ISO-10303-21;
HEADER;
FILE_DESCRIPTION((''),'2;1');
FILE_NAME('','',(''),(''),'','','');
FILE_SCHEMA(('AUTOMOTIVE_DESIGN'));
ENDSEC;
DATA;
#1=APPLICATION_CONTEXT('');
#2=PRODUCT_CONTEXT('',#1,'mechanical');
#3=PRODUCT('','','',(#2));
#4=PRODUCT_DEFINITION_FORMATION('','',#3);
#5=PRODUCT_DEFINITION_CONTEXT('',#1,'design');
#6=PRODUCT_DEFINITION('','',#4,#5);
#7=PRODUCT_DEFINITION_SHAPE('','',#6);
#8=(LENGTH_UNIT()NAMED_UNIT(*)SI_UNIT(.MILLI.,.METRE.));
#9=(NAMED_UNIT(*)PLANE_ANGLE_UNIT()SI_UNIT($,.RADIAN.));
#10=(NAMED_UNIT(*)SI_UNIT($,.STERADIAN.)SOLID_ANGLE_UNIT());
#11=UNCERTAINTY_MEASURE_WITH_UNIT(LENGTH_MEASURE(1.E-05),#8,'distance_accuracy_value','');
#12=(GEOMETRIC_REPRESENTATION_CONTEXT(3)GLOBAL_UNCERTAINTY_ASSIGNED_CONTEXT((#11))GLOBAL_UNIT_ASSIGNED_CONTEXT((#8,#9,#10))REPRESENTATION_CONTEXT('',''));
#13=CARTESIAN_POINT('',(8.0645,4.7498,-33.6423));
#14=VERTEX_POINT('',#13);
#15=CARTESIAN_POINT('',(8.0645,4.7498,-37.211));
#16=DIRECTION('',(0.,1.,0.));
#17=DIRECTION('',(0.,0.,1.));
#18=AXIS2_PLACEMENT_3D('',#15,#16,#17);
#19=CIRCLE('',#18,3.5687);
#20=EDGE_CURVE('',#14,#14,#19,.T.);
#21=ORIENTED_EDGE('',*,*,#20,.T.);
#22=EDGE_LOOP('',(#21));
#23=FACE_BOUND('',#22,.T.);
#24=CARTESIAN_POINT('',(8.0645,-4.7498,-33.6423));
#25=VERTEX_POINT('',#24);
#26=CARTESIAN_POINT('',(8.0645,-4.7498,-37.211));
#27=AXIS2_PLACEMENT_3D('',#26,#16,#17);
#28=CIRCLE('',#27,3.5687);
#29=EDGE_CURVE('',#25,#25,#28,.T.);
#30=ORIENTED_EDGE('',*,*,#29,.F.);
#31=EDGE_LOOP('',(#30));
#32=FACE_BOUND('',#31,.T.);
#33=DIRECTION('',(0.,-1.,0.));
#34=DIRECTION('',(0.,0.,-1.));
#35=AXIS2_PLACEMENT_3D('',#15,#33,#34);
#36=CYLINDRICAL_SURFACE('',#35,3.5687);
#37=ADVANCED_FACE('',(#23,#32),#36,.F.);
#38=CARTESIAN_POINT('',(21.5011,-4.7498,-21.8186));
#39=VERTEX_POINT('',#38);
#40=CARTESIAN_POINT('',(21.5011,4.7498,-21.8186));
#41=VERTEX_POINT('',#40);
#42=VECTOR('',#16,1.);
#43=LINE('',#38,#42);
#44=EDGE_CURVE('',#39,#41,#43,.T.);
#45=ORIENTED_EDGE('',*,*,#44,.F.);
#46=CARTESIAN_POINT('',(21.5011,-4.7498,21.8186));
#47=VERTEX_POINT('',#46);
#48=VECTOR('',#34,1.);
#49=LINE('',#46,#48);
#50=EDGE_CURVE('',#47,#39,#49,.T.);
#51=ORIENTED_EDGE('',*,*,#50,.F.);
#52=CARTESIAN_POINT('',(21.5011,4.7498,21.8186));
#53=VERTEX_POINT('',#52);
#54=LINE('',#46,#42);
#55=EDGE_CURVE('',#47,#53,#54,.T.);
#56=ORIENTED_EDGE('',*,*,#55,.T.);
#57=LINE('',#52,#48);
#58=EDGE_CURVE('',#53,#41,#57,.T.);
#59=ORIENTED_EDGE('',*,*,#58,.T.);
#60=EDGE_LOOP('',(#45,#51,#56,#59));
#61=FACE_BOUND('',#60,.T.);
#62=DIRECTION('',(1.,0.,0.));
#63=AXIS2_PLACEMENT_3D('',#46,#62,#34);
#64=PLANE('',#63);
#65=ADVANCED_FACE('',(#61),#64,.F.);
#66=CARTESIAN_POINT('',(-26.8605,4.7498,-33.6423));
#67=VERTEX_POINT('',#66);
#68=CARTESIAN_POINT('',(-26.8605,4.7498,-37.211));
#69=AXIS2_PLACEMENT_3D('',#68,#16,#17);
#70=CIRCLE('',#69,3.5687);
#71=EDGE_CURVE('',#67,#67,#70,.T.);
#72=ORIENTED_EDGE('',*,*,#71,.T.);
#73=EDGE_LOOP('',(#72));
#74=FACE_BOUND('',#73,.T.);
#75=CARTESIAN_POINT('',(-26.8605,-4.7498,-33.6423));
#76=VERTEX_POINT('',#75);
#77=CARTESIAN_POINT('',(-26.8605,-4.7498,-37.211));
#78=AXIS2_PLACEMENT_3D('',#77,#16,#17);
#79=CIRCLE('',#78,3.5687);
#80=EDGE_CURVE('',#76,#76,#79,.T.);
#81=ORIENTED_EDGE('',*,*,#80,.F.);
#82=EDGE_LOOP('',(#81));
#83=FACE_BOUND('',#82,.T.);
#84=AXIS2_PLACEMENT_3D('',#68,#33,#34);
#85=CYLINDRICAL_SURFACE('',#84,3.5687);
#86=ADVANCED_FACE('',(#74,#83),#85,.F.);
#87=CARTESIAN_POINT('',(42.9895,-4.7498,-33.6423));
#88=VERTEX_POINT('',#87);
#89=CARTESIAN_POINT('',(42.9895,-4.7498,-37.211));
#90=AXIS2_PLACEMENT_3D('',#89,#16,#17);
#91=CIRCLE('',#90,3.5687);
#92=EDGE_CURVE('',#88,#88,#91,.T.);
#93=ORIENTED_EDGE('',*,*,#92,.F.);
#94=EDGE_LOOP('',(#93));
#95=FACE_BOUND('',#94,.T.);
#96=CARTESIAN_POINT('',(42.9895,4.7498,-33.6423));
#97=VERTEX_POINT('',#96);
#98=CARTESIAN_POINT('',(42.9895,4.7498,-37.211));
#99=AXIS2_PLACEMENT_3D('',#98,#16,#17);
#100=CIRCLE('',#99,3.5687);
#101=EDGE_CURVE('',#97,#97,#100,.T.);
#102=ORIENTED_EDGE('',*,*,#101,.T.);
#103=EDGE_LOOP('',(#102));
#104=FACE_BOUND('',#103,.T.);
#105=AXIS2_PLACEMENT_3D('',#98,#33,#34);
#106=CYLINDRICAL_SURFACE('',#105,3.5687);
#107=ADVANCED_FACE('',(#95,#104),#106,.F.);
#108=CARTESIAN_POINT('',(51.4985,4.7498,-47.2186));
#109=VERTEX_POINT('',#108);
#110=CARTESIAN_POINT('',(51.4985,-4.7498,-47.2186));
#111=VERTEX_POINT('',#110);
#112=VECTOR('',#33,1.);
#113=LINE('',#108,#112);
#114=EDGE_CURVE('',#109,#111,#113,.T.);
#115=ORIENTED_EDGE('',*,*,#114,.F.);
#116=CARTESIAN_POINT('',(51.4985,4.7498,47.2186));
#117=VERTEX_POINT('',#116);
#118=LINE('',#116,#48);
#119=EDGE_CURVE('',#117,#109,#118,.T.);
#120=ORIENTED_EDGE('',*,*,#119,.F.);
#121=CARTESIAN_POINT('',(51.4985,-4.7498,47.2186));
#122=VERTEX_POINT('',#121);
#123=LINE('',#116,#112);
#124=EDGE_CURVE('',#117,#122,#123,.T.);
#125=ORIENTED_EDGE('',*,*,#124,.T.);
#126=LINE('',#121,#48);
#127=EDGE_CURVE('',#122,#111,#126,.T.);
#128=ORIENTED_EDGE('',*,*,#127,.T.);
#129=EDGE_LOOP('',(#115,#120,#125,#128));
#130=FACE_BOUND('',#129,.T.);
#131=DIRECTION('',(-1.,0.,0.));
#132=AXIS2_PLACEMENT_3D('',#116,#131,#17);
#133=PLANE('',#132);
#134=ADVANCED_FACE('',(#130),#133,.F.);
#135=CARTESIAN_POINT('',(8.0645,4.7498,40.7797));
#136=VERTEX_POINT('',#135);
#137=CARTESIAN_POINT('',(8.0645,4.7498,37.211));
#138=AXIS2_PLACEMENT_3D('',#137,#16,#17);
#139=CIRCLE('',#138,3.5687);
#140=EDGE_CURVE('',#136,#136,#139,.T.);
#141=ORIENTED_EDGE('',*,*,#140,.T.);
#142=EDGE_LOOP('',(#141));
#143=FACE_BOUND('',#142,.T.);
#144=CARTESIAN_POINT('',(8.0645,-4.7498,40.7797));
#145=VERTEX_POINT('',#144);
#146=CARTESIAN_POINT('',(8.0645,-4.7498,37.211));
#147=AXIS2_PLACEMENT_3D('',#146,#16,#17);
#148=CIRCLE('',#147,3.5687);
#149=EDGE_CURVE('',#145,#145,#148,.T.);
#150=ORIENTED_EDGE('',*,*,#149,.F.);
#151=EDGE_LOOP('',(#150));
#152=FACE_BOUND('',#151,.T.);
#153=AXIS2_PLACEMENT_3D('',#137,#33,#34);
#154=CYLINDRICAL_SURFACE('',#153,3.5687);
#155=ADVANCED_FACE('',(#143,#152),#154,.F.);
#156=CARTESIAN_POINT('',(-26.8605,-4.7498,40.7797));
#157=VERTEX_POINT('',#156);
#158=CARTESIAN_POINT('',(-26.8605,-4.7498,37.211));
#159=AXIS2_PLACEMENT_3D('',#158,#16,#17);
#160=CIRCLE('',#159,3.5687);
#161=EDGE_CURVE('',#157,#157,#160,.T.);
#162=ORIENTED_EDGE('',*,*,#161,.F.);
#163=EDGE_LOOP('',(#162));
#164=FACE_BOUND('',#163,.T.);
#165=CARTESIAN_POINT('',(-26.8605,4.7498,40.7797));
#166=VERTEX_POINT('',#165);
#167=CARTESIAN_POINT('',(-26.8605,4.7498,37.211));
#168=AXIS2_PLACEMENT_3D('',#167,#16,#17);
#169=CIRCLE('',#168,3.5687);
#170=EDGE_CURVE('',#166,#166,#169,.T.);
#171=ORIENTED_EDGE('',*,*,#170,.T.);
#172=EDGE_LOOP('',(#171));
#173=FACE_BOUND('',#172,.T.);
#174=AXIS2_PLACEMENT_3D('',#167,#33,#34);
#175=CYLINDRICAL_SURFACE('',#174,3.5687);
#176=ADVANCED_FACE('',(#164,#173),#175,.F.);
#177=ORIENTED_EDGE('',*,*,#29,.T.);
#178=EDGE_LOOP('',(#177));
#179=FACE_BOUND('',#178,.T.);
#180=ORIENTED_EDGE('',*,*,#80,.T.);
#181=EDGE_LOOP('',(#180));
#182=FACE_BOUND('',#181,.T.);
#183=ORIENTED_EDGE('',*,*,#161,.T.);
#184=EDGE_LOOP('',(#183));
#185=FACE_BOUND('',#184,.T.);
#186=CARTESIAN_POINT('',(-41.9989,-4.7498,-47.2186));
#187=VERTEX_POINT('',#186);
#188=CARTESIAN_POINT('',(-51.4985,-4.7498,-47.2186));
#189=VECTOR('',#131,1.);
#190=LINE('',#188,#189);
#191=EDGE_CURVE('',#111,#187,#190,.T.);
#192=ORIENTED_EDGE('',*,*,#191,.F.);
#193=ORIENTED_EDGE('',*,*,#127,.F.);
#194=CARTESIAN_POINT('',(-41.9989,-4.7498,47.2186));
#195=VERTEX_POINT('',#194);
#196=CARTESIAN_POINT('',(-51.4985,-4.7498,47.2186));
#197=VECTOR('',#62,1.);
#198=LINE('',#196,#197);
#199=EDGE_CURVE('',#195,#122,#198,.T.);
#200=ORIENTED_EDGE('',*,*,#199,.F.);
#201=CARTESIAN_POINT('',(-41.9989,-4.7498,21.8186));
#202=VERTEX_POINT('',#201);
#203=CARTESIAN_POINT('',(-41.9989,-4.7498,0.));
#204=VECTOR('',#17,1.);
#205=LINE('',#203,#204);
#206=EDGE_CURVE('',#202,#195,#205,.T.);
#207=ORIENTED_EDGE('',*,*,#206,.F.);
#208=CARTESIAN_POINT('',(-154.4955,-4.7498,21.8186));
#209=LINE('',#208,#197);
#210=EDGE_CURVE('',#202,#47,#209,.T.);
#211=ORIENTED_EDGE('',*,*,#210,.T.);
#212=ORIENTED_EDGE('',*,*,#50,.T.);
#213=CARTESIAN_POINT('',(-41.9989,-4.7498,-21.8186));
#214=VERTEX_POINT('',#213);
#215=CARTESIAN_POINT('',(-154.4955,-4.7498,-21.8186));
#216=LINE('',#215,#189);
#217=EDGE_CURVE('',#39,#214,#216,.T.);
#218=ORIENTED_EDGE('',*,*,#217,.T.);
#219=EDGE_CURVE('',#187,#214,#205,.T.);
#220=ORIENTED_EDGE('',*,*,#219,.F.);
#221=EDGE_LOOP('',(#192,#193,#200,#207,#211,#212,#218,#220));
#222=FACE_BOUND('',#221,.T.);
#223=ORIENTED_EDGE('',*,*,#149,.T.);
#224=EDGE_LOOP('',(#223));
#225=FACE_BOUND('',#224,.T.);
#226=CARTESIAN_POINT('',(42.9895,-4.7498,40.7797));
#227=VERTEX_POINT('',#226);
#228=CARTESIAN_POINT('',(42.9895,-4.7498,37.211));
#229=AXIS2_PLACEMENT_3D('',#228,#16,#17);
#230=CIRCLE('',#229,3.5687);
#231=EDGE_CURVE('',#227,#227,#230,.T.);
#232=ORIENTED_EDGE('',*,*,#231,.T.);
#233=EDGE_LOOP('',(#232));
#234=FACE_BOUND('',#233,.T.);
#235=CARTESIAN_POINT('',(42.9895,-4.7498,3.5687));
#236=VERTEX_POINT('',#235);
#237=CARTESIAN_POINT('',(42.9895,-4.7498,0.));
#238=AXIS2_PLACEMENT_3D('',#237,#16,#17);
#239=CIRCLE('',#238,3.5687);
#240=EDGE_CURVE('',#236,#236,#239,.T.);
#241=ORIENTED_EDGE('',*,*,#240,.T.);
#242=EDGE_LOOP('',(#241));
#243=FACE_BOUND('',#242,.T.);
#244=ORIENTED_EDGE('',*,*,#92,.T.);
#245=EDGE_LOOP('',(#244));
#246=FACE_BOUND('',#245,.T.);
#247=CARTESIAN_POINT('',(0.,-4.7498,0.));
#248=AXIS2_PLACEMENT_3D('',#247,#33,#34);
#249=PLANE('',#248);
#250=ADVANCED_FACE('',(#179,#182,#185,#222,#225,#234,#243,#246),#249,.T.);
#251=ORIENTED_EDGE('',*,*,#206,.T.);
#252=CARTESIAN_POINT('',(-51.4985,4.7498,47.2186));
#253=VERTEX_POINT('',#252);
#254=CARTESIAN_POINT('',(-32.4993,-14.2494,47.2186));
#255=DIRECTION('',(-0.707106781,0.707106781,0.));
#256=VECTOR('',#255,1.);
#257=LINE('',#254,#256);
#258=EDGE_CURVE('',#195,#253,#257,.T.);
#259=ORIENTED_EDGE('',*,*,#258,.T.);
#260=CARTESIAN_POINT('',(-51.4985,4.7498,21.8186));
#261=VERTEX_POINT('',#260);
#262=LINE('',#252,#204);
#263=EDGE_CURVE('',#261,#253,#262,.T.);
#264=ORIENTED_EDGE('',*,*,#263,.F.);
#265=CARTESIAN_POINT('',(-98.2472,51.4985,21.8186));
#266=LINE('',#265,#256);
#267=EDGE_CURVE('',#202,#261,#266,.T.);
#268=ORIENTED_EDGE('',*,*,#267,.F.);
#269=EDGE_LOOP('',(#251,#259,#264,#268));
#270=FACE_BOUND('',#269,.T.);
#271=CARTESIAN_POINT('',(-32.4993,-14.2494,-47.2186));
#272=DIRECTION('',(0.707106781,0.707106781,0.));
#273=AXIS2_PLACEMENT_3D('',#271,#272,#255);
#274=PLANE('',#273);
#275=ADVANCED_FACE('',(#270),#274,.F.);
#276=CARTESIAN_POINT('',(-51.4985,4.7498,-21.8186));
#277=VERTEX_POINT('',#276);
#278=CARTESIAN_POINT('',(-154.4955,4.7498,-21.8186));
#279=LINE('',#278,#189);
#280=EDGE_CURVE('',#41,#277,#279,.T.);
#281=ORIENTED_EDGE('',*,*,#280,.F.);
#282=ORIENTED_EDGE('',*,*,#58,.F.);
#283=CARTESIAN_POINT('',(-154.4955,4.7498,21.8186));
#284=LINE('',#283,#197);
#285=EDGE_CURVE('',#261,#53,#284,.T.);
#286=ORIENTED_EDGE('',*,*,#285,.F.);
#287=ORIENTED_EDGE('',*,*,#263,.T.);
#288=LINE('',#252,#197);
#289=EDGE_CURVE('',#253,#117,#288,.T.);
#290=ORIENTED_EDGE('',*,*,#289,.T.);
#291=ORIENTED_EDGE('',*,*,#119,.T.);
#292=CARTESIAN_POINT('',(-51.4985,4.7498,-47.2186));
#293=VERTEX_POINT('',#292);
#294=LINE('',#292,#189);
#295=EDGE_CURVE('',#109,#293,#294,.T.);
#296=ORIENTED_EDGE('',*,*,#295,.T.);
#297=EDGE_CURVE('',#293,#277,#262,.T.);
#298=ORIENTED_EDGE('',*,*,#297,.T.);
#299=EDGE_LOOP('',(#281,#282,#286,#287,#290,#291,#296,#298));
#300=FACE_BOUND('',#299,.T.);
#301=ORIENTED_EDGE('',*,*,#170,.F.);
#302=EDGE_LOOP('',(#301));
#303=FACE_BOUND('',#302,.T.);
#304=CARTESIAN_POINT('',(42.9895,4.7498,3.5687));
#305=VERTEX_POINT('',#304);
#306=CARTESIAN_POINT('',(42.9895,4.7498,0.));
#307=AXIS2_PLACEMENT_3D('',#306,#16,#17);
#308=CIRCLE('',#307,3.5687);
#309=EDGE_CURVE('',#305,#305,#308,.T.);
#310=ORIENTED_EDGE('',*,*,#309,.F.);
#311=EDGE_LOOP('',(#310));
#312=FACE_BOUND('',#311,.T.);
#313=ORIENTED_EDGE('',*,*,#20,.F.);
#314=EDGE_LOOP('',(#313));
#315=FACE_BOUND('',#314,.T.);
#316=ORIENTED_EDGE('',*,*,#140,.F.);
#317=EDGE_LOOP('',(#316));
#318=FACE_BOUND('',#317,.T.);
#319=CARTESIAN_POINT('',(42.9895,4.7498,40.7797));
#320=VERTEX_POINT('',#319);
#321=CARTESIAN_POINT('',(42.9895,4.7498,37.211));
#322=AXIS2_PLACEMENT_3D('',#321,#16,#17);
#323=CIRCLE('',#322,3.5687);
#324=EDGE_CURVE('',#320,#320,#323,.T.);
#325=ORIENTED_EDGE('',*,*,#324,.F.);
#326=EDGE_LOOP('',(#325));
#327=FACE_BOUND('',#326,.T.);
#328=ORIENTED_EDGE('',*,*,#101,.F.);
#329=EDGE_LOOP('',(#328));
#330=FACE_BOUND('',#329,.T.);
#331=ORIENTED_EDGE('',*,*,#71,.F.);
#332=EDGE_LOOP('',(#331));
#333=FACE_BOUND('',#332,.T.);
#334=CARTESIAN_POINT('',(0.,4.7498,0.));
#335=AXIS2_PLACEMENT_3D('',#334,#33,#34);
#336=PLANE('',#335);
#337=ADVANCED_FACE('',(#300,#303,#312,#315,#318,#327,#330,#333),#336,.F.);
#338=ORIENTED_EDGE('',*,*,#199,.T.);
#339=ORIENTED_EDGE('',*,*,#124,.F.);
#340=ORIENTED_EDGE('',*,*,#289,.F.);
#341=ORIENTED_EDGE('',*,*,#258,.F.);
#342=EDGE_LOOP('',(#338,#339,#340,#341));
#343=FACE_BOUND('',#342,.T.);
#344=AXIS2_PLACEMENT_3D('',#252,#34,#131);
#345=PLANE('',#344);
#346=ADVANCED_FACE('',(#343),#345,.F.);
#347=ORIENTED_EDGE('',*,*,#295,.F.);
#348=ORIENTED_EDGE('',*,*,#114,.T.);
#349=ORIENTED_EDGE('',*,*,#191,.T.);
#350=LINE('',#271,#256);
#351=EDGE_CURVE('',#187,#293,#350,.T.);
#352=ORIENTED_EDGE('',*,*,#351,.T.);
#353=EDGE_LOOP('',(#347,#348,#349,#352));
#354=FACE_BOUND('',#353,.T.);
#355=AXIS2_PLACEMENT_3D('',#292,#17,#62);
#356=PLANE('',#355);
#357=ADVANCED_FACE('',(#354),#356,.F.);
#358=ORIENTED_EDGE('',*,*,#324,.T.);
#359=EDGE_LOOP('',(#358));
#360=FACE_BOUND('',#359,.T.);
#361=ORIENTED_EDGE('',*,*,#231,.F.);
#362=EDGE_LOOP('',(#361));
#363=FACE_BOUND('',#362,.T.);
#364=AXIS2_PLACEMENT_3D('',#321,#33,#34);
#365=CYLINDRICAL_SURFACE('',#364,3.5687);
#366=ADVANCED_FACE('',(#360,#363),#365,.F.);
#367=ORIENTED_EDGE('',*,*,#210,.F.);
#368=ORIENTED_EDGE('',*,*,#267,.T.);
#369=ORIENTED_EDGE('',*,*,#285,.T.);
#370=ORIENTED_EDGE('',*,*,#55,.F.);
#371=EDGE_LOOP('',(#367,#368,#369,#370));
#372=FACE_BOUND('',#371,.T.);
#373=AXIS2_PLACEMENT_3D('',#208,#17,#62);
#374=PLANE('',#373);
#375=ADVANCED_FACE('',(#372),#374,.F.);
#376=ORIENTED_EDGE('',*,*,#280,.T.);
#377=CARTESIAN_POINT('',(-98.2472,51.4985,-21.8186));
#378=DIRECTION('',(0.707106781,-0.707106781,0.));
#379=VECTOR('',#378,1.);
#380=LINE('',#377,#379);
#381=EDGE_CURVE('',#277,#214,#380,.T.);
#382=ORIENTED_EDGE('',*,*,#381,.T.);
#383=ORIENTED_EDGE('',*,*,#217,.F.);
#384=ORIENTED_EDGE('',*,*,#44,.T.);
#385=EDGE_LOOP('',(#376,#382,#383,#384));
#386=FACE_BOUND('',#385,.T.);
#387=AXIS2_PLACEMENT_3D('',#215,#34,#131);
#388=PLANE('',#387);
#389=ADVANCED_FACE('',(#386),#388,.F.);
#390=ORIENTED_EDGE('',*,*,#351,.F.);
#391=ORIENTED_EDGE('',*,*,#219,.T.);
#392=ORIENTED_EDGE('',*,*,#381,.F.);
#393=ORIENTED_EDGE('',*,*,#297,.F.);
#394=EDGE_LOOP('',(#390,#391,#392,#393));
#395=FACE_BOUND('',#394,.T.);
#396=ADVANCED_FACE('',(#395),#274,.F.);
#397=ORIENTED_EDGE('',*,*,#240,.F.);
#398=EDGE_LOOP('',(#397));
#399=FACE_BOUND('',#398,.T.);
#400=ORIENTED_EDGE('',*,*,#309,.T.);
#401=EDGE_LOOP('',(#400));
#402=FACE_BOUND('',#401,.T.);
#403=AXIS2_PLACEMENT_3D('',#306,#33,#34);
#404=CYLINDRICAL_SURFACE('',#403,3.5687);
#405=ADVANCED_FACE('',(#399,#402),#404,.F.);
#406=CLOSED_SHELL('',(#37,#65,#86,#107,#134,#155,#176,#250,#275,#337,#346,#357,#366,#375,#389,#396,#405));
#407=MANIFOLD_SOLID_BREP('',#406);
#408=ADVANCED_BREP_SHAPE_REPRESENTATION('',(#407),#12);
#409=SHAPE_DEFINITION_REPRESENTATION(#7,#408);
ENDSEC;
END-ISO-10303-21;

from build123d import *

# Parameters (mm, degrees)
SKETCH1_W           = 102.997
SKETCH1_H           = 94.4372
BOSS_EXTRUDE1_DEPTH = 4.7498
CUT_EXTRUDE2_START  = 4.7498
SKETCH2_W           = 175.9966
SKETCH2_H           = 43.6372
CUT_EXTRUDE2_DEPTH  = 75.780166901
CUT_EXTRUDE6_START  = 47.2186
CUT_EXTRUDE6_DEPTH  = 118.248966901
CUT_EXTRUDE8_START  = -4.7498
SKETCH4_R           = 3.5687
CUT_EXTRUDE8_DEPTH  = 75.780166901
CUT_EXTRUDE10_START = -4.7498
SKETCH5_R           = 3.5687
CUT_EXTRUDE10_DEPTH = 75.780166901


with BuildPart() as part:
    # Sketch1 → Boss-Extrude1 (new, symmetric)
    with BuildSketch(Plane(origin=(0, 0, 0), x_dir=(1, 0, 0), z_dir=(0, 1, 0))):
        Rectangle(SKETCH1_W, SKETCH1_H)
    extrude(amount=BOSS_EXTRUDE1_DEPTH, both=True)

    # Sketch2 → Cut-Extrude2 (cut, through all)
    with BuildSketch(Plane(origin=(0, 0, 0), x_dir=(1, 0, 0), z_dir=(0, 1, 0)).offset(CUT_EXTRUDE2_START)):
        with Locations((-66.4972, 0)):
            Rectangle(SKETCH2_W, SKETCH2_H)
    extrude(amount=-CUT_EXTRUDE2_DEPTH, mode=Mode.SUBTRACT)

    # Sketch3 → Cut-Extrude6 (cut, through all)
    with BuildSketch(Plane.XY.offset(CUT_EXTRUDE6_START)):
        Polygon((-154.4955, -14.2494), (-32.4993, -14.2494), (-60.9981, 14.2494), (-154.4955, 14.2494), align=None)
    extrude(amount=-CUT_EXTRUDE6_DEPTH, mode=Mode.SUBTRACT)

    # Sketch4 → Cut-Extrude8 (cut, through all)
    with BuildSketch(Plane(origin=(0, 0, 0), x_dir=(1, 0, 0), z_dir=(0, 1, 0)).offset(CUT_EXTRUDE8_START)):
        with Locations(Location((-26.8605, -37.211, 0), (0, 0, 270))):
            Circle(SKETCH4_R)
        with Locations(Location((8.0645, -37.211, 0), (0, 0, 270))):
            Circle(SKETCH4_R)
        with Locations(Location((42.9895, -37.211, 0), (0, 0, 270))):
            Circle(SKETCH4_R)
        with Locations(Location((-26.8605, 37.211, 0), (0, 0, 270))):
            Circle(SKETCH4_R)
        with Locations(Location((8.0645, 37.211, 0), (0, 0, 270))):
            Circle(SKETCH4_R)
        with Locations(Location((42.9895, 37.211, 0), (0, 0, 270))):
            Circle(SKETCH4_R)
    extrude(amount=CUT_EXTRUDE8_DEPTH, mode=Mode.SUBTRACT)

    # Sketch5 → Cut-Extrude10 (cut, through all)
    with BuildSketch(Plane(origin=(0, 0, 0), x_dir=(1, 0, 0), z_dir=(0, 1, 0)).offset(CUT_EXTRUDE10_START)):
        with Locations(Location((42.9895, 0, 0), (0, 0, 270))):
            Circle(SKETCH5_R)
    extrude(amount=CUT_EXTRUDE10_DEPTH, mode=Mode.SUBTRACT)


solid = part.part
